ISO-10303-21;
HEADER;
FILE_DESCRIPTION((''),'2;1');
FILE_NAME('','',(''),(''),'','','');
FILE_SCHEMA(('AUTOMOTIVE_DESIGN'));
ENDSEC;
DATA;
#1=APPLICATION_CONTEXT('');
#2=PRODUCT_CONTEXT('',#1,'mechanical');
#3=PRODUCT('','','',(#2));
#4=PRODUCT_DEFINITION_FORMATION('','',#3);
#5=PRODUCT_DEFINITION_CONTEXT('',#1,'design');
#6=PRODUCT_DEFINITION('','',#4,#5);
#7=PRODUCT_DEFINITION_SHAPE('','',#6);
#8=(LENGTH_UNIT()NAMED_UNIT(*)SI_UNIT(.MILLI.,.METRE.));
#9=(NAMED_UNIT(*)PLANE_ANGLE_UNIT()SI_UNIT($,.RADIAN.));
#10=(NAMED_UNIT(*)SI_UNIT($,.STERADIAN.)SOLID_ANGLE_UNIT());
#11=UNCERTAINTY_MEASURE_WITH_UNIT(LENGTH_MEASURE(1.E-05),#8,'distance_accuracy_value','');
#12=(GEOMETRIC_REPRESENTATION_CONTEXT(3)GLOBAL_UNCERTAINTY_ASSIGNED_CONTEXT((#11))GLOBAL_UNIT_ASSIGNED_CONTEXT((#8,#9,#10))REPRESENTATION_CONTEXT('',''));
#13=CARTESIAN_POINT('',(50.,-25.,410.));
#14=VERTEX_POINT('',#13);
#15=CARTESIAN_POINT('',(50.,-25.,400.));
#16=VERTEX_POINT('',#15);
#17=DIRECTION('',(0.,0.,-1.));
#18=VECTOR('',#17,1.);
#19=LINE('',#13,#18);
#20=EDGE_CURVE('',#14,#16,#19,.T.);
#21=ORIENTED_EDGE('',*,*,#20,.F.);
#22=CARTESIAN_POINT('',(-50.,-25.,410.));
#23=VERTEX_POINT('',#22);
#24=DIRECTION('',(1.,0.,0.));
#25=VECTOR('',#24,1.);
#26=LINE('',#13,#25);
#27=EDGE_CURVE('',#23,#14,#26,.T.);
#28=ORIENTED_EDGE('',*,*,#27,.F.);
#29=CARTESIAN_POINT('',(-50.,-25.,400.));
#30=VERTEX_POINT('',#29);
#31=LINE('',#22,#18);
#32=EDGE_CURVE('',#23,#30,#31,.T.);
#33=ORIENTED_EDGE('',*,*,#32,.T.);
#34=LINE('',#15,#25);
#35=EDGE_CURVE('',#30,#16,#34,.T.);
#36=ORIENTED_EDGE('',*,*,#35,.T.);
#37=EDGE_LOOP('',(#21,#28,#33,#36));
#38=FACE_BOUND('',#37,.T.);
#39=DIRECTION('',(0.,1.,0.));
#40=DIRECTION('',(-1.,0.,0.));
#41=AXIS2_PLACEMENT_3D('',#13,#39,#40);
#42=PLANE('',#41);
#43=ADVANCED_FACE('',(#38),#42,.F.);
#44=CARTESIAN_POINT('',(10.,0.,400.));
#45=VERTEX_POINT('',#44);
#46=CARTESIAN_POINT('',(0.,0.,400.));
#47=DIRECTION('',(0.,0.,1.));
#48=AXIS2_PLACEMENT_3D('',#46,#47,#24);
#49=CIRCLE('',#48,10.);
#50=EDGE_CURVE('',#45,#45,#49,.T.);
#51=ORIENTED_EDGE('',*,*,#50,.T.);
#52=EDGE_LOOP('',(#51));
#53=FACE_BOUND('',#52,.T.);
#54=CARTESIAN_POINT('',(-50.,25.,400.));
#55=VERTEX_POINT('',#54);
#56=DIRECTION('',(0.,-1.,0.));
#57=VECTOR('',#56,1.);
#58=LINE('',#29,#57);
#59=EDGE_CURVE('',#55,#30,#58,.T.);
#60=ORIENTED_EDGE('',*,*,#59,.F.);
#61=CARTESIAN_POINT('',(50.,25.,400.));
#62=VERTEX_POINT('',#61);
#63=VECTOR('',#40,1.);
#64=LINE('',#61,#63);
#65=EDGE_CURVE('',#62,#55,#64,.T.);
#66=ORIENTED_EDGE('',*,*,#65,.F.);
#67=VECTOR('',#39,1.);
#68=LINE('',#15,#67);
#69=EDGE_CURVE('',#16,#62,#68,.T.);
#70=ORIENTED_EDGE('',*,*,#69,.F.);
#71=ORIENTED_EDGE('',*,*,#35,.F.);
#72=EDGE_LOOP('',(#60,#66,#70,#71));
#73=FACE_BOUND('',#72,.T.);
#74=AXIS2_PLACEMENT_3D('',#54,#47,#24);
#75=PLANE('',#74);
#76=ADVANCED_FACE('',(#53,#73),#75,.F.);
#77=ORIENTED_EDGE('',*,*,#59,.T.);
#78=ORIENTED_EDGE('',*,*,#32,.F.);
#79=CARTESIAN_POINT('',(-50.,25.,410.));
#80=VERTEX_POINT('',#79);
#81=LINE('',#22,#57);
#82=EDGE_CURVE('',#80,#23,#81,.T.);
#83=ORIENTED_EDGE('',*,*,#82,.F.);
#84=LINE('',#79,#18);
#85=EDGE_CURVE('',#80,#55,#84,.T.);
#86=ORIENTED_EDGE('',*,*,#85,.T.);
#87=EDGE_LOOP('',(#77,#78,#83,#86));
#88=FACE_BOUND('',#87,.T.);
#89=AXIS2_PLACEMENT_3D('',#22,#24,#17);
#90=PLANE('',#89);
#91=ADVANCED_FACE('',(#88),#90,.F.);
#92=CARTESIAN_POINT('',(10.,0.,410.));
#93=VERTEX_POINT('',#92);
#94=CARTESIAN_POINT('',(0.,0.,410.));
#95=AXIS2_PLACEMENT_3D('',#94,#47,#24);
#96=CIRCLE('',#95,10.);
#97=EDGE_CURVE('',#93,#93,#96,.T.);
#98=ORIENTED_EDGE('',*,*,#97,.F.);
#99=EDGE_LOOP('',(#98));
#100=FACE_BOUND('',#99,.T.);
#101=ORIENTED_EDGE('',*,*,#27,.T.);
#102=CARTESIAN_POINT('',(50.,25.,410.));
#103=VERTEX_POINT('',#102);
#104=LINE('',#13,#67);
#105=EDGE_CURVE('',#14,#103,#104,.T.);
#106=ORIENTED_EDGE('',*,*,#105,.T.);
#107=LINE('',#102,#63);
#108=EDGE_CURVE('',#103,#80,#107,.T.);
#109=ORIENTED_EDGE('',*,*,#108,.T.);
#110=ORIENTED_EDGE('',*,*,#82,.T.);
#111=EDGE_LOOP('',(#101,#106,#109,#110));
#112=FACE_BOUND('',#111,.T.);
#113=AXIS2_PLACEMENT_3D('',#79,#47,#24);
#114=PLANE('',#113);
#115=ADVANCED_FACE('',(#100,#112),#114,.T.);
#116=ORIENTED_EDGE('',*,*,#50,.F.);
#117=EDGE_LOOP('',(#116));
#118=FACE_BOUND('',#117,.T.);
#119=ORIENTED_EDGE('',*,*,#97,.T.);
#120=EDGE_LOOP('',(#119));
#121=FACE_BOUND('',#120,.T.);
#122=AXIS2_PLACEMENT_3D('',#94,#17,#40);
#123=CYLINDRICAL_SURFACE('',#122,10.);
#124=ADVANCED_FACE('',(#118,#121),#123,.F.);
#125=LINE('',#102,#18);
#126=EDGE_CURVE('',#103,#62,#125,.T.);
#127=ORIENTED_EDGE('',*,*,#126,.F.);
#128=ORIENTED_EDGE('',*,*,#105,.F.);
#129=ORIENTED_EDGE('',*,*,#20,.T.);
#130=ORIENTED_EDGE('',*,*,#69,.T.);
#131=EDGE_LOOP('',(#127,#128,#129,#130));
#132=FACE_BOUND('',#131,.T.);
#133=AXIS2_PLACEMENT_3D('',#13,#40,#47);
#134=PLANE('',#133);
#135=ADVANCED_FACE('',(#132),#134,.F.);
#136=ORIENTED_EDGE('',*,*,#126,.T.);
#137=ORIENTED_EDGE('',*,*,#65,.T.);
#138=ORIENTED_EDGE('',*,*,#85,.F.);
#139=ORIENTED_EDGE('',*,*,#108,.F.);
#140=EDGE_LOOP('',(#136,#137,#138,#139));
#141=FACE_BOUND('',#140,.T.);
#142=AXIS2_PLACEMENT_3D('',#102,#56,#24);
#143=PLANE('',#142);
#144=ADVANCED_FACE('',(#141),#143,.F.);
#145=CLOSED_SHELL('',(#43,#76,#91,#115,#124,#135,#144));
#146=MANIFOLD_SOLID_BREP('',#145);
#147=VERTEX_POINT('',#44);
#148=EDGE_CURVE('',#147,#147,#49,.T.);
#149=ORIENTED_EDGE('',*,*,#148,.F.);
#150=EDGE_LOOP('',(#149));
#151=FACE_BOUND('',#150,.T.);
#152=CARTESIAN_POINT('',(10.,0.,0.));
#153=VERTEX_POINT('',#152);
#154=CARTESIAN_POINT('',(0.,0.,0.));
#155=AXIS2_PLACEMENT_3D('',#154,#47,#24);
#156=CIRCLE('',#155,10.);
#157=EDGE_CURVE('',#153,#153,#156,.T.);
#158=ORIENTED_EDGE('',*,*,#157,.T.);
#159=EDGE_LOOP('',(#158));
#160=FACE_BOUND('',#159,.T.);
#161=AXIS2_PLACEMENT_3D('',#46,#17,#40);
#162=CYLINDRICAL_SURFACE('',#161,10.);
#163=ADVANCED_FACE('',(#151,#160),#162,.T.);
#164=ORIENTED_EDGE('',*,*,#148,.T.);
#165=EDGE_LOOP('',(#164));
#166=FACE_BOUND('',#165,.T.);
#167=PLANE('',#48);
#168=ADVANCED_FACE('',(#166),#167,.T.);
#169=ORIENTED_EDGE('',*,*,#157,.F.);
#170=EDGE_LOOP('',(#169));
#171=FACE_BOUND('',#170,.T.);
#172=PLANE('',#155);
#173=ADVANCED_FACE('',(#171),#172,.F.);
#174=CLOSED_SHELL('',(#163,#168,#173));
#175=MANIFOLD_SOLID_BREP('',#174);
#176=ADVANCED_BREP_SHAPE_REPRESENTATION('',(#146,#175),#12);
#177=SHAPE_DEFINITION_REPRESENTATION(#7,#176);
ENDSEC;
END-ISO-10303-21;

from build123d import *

# Parameters (mm, degrees)
SKETCH_1_R      = 10
EXTRUDE_1_DEPTH = 400
SKETCH_2_W      = 100
SKETCH_2_H      = 50
SKETCH_2_R      = 10
EXTRUDE_2_DEPTH = 10


with BuildPart() as part:
    # 草图1 → 凸台-拉伸1 (new body)
    with BuildSketch(Plane.XY):
        Circle(SKETCH_1_R)
    extrude(amount=EXTRUDE_1_DEPTH)


with BuildPart() as body_2:
    # 草图2 → 凸台-拉伸2 (new body)
    with BuildSketch(Plane.XY.offset(400)):
        Rectangle(SKETCH_2_W, SKETCH_2_H)
        Circle(SKETCH_2_R, mode=Mode.SUBTRACT)
    extrude(amount=EXTRUDE_2_DEPTH)


solid = Compound([part.part, body_2.part])
